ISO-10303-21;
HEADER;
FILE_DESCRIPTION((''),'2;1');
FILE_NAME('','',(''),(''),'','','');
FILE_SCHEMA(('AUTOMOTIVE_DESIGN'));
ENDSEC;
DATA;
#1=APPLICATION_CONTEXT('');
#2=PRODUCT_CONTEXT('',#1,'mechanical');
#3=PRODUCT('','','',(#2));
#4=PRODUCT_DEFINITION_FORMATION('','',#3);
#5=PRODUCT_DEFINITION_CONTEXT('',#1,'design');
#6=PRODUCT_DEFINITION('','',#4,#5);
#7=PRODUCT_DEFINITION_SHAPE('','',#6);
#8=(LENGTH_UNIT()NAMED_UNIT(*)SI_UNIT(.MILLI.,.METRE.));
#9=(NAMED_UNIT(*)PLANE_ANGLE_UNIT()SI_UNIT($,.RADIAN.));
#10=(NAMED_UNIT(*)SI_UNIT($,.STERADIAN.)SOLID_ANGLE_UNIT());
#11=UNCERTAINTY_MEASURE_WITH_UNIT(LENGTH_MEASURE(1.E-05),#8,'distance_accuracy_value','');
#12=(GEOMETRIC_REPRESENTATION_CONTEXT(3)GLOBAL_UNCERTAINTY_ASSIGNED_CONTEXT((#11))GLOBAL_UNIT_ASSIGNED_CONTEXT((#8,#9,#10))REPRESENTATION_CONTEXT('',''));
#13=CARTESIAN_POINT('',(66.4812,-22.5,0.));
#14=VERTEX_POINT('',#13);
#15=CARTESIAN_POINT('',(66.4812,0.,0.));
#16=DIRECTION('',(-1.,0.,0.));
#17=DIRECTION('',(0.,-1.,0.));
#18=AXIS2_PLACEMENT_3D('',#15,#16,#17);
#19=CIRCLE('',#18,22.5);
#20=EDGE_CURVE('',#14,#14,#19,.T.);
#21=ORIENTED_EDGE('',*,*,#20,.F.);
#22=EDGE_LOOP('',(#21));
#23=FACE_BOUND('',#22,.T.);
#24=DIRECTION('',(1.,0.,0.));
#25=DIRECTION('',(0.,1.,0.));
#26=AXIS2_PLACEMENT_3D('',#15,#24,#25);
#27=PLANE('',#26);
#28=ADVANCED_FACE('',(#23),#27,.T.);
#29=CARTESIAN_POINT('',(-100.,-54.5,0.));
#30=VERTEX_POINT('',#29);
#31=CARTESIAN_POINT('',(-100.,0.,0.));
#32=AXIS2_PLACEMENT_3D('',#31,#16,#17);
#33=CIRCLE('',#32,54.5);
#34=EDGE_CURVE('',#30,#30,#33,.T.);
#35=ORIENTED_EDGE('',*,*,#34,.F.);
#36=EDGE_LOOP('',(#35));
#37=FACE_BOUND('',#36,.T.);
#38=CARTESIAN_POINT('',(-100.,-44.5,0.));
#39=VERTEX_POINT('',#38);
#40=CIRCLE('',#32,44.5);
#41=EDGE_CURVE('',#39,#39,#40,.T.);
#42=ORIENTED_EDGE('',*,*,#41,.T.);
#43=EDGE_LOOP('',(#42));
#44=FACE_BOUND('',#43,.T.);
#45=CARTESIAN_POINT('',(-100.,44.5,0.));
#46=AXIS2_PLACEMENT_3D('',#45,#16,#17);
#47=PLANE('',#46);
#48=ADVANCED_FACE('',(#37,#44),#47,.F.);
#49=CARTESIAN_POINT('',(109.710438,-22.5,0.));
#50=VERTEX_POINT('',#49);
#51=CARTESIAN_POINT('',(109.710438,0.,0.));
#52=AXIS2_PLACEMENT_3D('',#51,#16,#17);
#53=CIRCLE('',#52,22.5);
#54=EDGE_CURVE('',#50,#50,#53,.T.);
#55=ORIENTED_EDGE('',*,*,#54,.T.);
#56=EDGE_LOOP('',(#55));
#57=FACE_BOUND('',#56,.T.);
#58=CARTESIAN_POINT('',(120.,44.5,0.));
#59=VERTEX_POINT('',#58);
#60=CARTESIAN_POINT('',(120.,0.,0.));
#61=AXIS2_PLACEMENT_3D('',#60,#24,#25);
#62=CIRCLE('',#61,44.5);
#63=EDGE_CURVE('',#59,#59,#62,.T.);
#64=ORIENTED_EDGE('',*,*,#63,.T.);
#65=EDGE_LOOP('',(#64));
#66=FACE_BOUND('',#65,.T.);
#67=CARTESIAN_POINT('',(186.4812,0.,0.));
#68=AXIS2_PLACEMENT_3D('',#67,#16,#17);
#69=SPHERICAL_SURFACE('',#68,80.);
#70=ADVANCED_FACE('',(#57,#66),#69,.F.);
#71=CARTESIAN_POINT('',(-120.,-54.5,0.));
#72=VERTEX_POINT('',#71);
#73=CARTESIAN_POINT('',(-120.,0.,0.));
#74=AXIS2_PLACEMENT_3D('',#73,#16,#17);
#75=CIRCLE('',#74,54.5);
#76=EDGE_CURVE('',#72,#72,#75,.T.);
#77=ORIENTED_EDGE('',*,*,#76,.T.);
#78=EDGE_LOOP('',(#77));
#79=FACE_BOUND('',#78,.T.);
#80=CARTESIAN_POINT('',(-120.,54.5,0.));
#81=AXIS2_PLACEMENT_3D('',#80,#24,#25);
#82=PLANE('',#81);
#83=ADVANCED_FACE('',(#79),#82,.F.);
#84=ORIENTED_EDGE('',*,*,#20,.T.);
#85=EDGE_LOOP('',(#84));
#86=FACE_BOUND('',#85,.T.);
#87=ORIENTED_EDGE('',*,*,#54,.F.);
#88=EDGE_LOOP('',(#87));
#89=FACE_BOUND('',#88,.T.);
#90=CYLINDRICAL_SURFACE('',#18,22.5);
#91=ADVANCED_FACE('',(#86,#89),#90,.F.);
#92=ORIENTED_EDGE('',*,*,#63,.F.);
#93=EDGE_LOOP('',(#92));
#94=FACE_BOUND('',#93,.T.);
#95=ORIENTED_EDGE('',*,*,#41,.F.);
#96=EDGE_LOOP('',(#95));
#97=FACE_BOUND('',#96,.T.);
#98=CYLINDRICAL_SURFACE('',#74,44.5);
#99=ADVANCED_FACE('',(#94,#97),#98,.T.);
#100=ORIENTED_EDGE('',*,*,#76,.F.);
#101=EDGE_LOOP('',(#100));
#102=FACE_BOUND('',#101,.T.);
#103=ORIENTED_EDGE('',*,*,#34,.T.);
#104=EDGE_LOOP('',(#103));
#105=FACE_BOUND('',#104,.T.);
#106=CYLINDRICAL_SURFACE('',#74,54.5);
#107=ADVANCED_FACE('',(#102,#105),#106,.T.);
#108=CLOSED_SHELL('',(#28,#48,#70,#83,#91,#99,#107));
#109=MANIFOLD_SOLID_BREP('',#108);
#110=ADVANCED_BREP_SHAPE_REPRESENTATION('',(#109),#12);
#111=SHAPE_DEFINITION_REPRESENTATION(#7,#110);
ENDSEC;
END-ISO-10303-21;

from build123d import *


with BuildPart() as part:
    # Sketch1 → Revolve1 (revolve)
    with BuildSketch(Plane.XY):
        Polygon((-120, 0), (120, 0), (120, 44.5), (-100, 44.5), (-100, 54.5), (-120, 54.5), align=None)
    revolve(axis=Axis((-120, 0, 0), (1, 0, 0)))

    # Sketch2 → Cut-Revolve2 (revolve, cut)
    with BuildSketch(Plane.XY):
        with BuildLine():
            Line((66.48120035, 0), (266.48120035, 0))
            ThreePointArc((266.48120035, 0), (197.846476125, 79.188575606), (109.710437686, 22.5))
            Line((109.710437686, 22.5), (66.48120035, 22.5))
            Line((66.48120035, 22.5), (66.48120035, 0))
        make_face()
    revolve(axis=Axis((66.48120035, 0, 0), (1, 0, 0)), mode=Mode.SUBTRACT)


solid = part.part
